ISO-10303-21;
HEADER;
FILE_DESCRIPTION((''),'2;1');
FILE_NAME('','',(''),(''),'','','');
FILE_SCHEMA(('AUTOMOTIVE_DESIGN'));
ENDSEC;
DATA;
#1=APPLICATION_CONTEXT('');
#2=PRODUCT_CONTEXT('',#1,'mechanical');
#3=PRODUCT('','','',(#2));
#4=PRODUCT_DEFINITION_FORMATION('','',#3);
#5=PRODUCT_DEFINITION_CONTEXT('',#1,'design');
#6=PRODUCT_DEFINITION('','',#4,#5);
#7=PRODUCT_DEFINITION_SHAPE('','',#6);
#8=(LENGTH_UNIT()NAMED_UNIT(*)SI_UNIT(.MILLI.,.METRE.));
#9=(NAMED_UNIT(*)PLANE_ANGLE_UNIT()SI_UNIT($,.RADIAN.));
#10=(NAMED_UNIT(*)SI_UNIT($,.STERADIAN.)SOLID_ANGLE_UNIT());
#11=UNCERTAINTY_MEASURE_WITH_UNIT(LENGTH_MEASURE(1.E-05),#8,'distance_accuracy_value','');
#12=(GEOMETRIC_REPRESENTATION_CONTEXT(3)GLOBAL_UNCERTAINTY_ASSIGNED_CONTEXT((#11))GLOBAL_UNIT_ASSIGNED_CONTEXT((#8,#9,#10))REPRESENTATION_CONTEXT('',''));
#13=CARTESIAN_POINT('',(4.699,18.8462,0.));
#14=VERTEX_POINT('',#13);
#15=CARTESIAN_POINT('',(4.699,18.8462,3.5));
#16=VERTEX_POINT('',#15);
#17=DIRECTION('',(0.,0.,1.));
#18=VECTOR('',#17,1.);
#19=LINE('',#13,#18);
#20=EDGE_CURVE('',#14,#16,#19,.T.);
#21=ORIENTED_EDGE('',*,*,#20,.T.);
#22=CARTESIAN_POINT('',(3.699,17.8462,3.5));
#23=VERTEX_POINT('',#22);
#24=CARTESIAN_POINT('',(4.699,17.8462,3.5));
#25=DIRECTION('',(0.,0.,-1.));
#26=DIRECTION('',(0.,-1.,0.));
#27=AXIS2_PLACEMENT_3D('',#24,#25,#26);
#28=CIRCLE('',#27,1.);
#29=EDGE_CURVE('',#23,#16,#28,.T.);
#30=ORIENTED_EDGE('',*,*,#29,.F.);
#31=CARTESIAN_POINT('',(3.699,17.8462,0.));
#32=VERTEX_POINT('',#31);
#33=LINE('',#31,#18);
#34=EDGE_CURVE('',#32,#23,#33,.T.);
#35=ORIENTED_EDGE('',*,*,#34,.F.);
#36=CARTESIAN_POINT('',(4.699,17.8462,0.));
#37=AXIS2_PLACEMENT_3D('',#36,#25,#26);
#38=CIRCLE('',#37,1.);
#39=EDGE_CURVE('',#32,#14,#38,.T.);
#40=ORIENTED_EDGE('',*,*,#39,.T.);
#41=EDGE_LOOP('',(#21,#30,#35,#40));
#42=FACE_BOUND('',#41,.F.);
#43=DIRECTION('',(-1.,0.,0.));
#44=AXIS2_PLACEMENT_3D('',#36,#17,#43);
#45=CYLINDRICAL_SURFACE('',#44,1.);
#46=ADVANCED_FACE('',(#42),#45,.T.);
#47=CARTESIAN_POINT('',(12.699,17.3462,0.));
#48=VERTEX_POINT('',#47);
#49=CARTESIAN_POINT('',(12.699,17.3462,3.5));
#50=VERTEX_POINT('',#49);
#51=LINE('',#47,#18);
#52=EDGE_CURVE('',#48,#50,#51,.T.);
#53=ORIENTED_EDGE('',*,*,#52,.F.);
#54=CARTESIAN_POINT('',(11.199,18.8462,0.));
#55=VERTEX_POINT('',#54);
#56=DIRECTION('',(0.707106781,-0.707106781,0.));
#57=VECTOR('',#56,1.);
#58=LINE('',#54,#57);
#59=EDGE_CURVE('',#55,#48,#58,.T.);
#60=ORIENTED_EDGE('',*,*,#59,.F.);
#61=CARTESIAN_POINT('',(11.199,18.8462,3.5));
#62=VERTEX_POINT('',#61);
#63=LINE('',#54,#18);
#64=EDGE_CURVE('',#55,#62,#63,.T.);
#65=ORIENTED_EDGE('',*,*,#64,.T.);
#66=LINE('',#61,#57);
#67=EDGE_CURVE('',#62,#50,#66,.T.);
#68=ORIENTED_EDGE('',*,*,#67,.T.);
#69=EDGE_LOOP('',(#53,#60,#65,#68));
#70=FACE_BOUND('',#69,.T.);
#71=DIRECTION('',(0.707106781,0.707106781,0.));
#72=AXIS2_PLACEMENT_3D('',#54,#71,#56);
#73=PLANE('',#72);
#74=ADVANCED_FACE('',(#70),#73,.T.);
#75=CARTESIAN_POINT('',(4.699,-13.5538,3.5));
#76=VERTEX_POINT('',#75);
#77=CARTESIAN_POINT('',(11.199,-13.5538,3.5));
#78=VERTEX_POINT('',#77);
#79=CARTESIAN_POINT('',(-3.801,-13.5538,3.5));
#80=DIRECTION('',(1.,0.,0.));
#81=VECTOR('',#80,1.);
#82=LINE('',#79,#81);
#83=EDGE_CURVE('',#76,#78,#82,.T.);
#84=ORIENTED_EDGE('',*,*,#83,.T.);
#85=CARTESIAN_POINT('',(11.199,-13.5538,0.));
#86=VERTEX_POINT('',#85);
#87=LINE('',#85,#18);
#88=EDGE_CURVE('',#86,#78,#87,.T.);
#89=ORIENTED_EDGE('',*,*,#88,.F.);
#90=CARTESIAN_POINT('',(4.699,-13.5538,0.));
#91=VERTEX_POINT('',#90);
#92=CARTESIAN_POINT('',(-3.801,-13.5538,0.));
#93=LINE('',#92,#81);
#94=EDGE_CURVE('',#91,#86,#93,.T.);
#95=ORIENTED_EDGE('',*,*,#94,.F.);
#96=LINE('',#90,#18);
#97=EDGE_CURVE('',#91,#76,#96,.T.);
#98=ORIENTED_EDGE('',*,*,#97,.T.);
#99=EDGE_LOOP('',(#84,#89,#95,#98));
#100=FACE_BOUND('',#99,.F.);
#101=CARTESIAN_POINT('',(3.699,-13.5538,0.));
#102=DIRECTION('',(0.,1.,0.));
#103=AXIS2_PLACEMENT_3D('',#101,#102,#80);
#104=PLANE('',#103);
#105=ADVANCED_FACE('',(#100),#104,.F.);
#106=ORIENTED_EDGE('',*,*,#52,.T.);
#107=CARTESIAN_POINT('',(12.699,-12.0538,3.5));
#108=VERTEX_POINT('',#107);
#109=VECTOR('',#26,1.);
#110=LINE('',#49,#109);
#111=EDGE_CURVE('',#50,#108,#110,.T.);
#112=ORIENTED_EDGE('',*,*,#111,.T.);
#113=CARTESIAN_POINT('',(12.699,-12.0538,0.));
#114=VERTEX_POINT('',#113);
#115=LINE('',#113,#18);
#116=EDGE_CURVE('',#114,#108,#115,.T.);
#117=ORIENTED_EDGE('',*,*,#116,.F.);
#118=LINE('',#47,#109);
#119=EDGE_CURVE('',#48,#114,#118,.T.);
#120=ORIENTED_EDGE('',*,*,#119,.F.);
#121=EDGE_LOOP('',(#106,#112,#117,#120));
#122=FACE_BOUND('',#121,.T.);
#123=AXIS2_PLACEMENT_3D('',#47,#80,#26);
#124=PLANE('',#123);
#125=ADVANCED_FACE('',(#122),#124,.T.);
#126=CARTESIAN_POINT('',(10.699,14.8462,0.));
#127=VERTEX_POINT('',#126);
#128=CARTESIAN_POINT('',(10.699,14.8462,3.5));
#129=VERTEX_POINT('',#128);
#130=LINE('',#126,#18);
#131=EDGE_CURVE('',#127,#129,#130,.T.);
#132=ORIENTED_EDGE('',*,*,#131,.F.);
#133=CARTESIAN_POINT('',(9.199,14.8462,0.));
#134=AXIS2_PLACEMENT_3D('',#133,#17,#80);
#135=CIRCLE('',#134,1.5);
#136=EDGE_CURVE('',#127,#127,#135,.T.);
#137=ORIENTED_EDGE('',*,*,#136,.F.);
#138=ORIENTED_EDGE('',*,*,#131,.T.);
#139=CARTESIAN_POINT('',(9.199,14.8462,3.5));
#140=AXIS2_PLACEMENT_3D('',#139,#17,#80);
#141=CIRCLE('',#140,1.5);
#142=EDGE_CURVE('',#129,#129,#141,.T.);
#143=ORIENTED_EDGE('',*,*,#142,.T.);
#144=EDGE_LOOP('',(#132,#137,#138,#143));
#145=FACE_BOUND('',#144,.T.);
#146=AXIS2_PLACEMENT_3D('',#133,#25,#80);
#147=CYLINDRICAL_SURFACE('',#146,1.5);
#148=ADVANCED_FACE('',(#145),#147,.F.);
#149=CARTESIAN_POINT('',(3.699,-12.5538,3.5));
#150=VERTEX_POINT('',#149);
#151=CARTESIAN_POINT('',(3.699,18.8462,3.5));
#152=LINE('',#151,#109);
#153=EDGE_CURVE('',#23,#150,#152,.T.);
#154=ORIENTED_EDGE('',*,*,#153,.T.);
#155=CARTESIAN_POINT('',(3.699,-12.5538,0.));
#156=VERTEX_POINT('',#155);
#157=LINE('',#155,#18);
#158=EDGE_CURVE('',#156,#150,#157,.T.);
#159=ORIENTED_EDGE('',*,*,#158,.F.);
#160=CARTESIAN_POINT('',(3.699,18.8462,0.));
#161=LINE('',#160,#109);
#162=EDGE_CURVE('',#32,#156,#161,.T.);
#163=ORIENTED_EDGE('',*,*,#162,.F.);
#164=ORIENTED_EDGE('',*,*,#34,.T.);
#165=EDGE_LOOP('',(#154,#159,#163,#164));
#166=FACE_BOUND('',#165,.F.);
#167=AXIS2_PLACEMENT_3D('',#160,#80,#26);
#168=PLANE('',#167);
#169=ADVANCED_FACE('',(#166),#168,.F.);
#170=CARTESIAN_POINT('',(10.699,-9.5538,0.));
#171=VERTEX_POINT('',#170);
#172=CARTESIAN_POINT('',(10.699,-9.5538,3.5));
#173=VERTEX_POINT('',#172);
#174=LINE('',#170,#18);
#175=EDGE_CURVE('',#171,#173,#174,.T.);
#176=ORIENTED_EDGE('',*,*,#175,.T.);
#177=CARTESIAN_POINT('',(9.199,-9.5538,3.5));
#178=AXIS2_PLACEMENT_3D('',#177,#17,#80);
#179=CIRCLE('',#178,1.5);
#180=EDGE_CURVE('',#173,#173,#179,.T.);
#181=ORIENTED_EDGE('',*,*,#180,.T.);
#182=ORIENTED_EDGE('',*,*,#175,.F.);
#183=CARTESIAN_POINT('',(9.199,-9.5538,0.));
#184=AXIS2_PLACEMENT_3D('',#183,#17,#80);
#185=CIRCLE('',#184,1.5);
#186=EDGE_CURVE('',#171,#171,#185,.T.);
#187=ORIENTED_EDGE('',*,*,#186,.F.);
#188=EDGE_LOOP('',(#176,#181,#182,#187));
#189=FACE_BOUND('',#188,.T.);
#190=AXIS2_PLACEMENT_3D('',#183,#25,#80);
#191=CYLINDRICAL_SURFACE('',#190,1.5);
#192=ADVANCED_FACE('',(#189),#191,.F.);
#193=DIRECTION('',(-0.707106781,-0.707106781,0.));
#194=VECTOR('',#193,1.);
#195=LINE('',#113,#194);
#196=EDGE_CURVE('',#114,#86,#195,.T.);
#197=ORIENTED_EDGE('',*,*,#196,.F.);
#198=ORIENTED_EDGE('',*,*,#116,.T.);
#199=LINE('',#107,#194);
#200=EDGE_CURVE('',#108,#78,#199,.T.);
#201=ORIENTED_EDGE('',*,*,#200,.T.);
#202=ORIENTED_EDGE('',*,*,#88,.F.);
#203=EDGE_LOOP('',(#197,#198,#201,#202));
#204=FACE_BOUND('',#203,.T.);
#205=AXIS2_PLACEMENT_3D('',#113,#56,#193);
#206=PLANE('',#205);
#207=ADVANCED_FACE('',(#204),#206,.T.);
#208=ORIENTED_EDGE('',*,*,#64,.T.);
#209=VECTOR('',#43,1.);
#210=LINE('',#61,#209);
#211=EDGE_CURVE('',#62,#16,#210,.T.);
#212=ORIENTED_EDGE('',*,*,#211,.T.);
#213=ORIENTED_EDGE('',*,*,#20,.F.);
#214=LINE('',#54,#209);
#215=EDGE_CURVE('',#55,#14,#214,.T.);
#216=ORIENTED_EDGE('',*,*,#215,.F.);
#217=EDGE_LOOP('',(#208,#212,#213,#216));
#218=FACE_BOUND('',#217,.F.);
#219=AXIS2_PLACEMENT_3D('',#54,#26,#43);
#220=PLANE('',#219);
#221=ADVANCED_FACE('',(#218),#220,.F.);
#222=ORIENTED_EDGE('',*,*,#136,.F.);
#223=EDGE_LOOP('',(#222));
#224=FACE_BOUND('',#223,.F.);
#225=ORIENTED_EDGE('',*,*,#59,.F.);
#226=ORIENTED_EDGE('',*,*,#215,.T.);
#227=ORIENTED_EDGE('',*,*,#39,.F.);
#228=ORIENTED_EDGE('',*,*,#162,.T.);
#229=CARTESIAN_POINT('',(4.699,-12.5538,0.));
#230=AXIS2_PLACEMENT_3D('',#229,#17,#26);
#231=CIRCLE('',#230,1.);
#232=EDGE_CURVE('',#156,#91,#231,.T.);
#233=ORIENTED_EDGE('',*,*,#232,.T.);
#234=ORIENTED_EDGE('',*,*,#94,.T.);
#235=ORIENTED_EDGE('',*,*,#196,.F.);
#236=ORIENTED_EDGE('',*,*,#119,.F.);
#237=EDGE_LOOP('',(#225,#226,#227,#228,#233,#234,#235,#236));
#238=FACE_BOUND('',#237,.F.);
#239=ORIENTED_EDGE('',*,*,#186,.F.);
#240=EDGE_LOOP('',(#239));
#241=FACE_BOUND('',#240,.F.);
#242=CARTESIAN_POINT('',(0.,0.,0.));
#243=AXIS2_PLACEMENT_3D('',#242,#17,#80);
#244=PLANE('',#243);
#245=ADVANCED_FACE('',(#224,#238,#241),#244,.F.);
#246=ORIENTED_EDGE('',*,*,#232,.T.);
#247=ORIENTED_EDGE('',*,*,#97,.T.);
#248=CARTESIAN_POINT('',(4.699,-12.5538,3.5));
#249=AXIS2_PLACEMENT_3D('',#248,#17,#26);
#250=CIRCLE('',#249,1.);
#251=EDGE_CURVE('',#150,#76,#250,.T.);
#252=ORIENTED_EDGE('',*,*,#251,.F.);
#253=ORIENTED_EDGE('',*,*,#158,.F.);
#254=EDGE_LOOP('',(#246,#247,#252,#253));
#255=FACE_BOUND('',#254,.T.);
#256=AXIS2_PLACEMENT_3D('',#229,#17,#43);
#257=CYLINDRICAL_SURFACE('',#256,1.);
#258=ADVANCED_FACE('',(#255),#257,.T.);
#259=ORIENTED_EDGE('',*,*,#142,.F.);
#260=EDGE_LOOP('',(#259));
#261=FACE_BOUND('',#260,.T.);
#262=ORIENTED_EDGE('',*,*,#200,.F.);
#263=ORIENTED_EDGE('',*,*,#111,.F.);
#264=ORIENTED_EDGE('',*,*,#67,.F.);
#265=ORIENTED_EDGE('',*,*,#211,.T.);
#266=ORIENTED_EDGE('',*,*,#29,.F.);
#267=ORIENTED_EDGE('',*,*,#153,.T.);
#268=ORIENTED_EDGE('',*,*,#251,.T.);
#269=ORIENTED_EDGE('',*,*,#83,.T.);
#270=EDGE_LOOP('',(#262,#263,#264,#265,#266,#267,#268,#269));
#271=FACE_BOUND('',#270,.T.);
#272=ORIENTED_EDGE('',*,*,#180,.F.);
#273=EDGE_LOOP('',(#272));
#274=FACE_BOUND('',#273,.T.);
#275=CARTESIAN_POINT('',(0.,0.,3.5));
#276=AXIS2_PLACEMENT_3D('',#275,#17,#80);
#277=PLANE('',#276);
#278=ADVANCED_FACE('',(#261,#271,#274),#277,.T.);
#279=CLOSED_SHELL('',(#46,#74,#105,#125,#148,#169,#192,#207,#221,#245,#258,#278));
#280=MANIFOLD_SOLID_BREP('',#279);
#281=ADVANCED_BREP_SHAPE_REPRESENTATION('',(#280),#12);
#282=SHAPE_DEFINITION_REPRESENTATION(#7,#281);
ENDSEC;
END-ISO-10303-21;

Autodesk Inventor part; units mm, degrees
ref_plane "YZ Plane" through (0, 0, 0) normal (1, 0, 0) x (0, 1, 0)
ref_plane "XZ Plane" through (0, 0, 0) normal (0, 1, 0) x (-1, 0, 0)
ref_plane "XY Plane" through (0, 0, 0) normal (0, 0, 1) x (1, 0, 0)
sketch "Szkic1" plane through (0, 0, 0) normal (0, 0, 1) x (1, 0, 0)
  circle A0 centre (9.199, -9.5538) radius 1.5
  circle A1 centre (9.199, 14.8462) radius 1.5
  line L0 (-3.801, -13.5538) -> (-5.301, -12.0538)
  line L1 (-3.801, -13.5538) -> (11.199, -13.5538)
  line L2 (12.699, -12.0538) -> (11.199, -13.5538)
  line L3 (12.699, 17.3462) -> (12.699, -12.0538)
  line L4 (11.199, 18.8462) -> (12.699, 17.3462)
  line L5 (11.199, 18.8462) -> (-3.801, 18.8462)
  line L6 (-5.301, 17.3462) -> (-3.801, 18.8462)
  line L7 (-5.301, 17.3462) -> (-5.301, -12.0538)
  circle A2 centre (0.699, -7.3538) radius 1.5
  circle A3 centre (0.699, 12.6462) radius 1.5
  line L8 (3.699, 18.8462) -> (3.699, -13.5538)
  point P0 (0, 0)
  point P1 (0, 0)
  dimension "d0" = 9
extrude "Wyciągnięcie proste1" add sketch "Szkic1" along normal blind 3.5 contours L8 L5 L4 L3 L2 L1
fillet "Zaokrąglenie1" radius 1 2 edges at (3.699, -13.5538, 1.75) (3.699, 18.8462, 1.75)
properties part number "3DP_ABS_E3D_Titan_Mounting_Plate_Spacer"
